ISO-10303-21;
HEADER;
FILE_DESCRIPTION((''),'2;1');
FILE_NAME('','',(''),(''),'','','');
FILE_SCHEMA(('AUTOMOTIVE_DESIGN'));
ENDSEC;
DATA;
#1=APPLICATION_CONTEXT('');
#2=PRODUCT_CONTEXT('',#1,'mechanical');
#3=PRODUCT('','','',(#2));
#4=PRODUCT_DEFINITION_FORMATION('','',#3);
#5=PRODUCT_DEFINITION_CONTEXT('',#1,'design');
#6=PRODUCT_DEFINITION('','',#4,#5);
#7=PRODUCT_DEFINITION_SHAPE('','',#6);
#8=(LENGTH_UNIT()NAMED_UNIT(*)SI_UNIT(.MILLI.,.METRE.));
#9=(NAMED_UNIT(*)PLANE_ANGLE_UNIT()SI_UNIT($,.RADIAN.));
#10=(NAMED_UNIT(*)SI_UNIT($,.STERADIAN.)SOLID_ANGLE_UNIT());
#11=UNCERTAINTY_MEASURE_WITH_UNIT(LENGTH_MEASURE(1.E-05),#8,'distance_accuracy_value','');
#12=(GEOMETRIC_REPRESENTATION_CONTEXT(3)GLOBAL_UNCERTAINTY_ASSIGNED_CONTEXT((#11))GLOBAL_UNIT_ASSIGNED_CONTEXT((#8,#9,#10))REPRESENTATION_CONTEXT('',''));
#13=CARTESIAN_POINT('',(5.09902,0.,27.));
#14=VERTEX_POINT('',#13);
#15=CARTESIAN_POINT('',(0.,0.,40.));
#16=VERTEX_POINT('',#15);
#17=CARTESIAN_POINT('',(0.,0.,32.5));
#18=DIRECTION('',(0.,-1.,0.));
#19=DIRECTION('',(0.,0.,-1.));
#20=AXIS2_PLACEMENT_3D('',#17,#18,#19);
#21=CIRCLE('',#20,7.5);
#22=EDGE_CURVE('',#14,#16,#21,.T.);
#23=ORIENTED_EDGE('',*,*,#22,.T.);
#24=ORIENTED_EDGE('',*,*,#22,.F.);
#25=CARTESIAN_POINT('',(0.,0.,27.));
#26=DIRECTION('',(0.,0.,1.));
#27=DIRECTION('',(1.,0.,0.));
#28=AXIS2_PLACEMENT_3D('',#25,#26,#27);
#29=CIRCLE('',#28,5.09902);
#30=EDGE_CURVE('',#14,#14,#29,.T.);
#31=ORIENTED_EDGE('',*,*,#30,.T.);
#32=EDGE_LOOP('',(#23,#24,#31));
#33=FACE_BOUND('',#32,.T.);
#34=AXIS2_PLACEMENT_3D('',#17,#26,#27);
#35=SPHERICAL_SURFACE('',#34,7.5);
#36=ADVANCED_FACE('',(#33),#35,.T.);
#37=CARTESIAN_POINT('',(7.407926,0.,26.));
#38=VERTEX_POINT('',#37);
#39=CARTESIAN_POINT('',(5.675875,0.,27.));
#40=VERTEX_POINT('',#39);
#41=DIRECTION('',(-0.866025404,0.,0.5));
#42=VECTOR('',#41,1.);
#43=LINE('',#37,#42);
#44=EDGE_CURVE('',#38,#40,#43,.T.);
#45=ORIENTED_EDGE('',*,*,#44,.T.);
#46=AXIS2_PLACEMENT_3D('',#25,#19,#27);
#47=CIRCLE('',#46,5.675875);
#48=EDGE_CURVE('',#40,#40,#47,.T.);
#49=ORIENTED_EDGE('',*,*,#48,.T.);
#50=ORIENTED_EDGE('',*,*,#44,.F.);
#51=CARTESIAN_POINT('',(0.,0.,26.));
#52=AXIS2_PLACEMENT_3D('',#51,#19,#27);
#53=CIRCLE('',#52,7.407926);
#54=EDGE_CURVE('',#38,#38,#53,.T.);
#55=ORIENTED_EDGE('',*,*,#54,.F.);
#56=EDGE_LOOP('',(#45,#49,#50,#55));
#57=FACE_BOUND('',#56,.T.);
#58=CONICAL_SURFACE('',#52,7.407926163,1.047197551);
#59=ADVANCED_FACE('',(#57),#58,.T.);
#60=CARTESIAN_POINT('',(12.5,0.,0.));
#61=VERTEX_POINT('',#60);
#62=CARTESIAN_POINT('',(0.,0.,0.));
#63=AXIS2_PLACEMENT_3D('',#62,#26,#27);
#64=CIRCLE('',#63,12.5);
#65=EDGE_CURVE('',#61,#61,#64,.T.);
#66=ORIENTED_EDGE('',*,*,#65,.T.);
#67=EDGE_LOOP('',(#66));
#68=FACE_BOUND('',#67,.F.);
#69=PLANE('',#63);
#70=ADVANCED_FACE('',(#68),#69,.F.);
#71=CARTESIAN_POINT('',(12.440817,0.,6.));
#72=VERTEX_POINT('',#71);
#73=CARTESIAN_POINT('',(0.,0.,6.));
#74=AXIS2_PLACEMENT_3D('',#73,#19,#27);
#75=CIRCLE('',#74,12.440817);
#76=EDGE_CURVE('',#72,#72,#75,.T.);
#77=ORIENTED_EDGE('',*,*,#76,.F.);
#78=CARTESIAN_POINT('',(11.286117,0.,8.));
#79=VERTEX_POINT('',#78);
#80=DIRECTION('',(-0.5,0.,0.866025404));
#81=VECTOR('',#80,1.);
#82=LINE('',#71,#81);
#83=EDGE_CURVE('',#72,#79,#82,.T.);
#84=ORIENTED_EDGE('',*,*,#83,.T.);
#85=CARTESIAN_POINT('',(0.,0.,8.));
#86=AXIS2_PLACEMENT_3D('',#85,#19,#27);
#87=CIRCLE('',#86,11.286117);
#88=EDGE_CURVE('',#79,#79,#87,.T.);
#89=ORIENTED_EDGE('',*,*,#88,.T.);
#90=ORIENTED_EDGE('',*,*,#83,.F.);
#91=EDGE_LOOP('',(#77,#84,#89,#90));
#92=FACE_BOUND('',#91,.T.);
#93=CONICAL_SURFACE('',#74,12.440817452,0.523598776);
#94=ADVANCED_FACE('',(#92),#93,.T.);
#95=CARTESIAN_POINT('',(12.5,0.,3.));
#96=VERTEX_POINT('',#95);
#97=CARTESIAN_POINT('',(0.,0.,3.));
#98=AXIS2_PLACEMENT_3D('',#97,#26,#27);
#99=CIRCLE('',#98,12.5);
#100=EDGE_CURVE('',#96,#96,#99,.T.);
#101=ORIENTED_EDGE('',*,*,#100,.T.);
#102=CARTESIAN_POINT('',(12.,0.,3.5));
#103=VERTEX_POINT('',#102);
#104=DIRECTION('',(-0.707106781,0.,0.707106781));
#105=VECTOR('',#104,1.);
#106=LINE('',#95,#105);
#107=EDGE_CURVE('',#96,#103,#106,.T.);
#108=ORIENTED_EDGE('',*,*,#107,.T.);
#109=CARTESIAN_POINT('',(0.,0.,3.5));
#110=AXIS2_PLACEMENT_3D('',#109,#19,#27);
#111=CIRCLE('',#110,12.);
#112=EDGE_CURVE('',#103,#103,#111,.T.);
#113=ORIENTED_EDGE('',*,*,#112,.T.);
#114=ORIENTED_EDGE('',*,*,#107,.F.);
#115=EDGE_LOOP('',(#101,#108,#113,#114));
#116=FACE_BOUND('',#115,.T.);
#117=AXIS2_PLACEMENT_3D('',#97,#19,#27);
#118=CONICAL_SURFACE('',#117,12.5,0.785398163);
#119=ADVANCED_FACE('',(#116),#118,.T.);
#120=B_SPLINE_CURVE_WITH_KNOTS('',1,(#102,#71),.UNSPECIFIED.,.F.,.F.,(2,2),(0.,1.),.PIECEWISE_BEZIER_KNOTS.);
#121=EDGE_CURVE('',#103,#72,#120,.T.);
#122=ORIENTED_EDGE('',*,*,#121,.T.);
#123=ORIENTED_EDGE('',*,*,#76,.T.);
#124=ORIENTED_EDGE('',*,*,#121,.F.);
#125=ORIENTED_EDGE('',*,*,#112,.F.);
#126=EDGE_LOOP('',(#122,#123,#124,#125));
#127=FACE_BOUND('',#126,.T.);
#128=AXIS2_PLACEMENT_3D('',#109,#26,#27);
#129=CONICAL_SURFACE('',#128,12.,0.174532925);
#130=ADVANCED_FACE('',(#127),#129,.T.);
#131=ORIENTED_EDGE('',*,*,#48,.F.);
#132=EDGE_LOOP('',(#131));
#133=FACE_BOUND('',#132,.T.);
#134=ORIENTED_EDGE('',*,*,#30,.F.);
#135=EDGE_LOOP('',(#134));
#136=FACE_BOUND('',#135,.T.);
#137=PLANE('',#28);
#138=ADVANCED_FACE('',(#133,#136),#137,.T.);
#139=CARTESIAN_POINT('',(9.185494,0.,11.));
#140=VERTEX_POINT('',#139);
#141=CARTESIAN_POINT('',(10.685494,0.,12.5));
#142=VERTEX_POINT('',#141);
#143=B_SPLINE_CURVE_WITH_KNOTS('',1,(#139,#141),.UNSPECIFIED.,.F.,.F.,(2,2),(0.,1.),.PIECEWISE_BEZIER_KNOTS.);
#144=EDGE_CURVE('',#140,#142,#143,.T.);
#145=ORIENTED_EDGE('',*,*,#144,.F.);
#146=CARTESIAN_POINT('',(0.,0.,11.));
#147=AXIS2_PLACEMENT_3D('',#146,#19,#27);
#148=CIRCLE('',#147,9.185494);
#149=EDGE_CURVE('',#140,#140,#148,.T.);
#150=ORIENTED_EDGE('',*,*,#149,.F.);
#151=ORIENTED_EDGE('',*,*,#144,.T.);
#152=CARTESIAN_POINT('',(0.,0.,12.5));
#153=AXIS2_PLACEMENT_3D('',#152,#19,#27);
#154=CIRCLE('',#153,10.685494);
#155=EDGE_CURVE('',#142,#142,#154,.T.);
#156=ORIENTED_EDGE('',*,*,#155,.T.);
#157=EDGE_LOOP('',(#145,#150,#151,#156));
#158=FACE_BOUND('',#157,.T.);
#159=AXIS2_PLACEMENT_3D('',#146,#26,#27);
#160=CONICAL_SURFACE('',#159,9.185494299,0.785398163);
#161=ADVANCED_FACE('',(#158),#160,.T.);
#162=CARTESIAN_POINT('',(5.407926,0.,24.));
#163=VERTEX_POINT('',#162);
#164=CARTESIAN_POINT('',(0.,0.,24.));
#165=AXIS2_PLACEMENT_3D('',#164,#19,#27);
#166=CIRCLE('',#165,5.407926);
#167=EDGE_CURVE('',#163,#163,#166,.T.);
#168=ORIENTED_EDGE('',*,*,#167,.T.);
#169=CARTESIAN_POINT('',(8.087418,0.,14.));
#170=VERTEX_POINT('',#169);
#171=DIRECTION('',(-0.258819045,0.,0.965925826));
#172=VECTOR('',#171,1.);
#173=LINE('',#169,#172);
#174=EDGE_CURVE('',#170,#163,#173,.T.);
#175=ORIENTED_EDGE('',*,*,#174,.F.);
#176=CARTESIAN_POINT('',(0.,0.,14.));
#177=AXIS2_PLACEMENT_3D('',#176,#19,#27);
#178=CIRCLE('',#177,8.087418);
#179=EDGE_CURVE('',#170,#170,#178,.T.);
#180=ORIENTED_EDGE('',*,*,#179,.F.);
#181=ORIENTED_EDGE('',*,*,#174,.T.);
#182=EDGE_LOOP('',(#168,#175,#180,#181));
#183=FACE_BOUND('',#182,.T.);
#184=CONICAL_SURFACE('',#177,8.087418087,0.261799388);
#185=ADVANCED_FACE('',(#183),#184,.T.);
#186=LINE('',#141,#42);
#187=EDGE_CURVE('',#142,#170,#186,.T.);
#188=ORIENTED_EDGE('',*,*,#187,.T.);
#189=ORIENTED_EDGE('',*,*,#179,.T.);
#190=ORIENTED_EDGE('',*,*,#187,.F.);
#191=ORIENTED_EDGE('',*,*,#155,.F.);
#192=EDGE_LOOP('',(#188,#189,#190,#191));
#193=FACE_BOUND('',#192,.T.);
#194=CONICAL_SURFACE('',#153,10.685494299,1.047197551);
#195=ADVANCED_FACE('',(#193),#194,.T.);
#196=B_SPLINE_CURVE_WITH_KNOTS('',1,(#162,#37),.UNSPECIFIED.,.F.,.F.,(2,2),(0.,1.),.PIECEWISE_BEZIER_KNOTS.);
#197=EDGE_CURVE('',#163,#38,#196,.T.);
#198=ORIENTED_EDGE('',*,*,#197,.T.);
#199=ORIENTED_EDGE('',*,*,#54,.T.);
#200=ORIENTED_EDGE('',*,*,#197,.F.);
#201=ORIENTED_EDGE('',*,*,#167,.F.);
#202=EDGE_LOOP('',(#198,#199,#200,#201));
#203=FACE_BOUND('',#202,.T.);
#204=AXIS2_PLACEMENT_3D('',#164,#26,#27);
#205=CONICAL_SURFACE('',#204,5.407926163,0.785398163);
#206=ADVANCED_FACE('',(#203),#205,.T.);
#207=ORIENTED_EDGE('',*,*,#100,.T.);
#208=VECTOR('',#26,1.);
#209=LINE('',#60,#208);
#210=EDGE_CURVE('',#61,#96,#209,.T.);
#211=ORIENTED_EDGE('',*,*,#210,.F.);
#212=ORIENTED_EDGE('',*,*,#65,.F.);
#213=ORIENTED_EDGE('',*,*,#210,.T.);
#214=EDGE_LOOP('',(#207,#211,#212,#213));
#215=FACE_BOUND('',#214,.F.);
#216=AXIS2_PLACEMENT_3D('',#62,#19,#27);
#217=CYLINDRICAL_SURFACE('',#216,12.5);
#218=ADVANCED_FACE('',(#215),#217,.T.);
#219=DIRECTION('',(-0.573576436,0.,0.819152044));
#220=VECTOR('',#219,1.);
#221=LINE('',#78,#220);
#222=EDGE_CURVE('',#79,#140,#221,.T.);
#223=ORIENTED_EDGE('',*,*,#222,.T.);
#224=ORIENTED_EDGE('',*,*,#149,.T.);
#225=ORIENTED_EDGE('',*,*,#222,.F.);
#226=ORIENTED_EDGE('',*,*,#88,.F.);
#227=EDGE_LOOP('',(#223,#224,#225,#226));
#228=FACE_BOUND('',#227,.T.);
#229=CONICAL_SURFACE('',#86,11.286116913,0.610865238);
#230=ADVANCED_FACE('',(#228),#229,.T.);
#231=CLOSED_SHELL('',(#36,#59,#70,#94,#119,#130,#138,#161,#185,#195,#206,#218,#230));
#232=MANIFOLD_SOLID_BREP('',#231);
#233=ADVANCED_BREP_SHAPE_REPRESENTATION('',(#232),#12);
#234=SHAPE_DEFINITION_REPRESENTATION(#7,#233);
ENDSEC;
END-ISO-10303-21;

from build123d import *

# Parameters (mm, degrees)
F0_R      = 12.5
F1_DEPTH  = 3
F1_FACE_R = 12.5
F2_DEPTH  = 0.5
F2_TAPER  = 45
F2_FACE_R = 12
F3_DEPTH  = 2.5
F3_TAPER  = -10
F3_FACE_R = 12.4408174518
F4_DEPTH  = 2
F4_TAPER  = 30
F4_FACE_R = 11.2861169134
F5_DEPTH  = 3
F5_TAPER  = 35
F5_FACE_R = 9.1854942988
F6_DEPTH  = 1.5
F6_TAPER  = -45
F6_FACE_R = 10.6854942988
F7_DEPTH  = 1.5
F7_TAPER  = 60
F7_FACE_R = 8.0874180874
F8_DEPTH  = 10
F8_TAPER  = 15
F8_FACE_R = 5.4079261631
F9_DEPTH  = 2
F9_TAPER  = -45
F9_FACE_R = 7.4079261631
F10_DEPTH = 1
F10_TAPER = 60


with BuildPart() as f1:
    # F0 (on Top) → F1 (new body)
    with BuildSketch(Plane.XY):
        Circle(F0_R)
    extrude(amount=F1_DEPTH)

    # F1_face (on face) → F2 (join)
    with BuildSketch(Plane.XY.offset(3)):
        Circle(F1_FACE_R)
    extrude(amount=F2_DEPTH, taper=F2_TAPER)

    # F2_face (on face) → F3 (join)
    with BuildSketch(Plane.XY.offset(3.5)):
        Circle(F2_FACE_R)
    extrude(amount=F3_DEPTH, taper=F3_TAPER)

    # F3_face (on face) → F4 (join)
    with BuildSketch(Plane.XY.offset(6)):
        Circle(F3_FACE_R)
    extrude(amount=F4_DEPTH, taper=F4_TAPER)

    # F4_face (on face) → F5 (join)
    with BuildSketch(Plane.XY.offset(8)):
        Circle(F4_FACE_R)
    extrude(amount=F5_DEPTH, taper=F5_TAPER)

    # F5_face (on face) → F6 (join)
    with BuildSketch(Plane.XY.offset(11)):
        Circle(F5_FACE_R)
    extrude(amount=F6_DEPTH, taper=F6_TAPER)

    # F6_face (on face) → F7 (join)
    with BuildSketch(Plane.XY.offset(12.5)):
        Circle(F6_FACE_R)
    extrude(amount=F7_DEPTH, taper=F7_TAPER)

    # F7_face (on face) → F8 (join)
    with BuildSketch(Plane.XY.offset(14)):
        Circle(F7_FACE_R)
    extrude(amount=F8_DEPTH, taper=F8_TAPER)

    # F8_face (on face) → F9 (join)
    with BuildSketch(Plane.XY.offset(24)):
        Circle(F8_FACE_R)
    extrude(amount=F9_DEPTH, taper=F9_TAPER)

    # F9_face (on face) → F10 (join)
    with BuildSketch(Plane.XY.offset(26)):
        Circle(F9_FACE_R)
    extrude(amount=F10_DEPTH, taper=F10_TAPER)

    # F11 (on Front) → F12 (revolve)
    with BuildSketch(Plane.XZ):
        with BuildLine():
            ThreePointArc((0, 25), (5.3033008589, 27.1966991411), (7.5, 32.5))
            ThreePointArc((7.5, 32.5), (5.3033008589, 37.8033008589), (0, 40))
            Line((0, 40), (0, 25))
        make_face()
    revolve(axis=Axis((0, 0, 26.2095481157), (0, 0, 1)))


solid = f1.part
